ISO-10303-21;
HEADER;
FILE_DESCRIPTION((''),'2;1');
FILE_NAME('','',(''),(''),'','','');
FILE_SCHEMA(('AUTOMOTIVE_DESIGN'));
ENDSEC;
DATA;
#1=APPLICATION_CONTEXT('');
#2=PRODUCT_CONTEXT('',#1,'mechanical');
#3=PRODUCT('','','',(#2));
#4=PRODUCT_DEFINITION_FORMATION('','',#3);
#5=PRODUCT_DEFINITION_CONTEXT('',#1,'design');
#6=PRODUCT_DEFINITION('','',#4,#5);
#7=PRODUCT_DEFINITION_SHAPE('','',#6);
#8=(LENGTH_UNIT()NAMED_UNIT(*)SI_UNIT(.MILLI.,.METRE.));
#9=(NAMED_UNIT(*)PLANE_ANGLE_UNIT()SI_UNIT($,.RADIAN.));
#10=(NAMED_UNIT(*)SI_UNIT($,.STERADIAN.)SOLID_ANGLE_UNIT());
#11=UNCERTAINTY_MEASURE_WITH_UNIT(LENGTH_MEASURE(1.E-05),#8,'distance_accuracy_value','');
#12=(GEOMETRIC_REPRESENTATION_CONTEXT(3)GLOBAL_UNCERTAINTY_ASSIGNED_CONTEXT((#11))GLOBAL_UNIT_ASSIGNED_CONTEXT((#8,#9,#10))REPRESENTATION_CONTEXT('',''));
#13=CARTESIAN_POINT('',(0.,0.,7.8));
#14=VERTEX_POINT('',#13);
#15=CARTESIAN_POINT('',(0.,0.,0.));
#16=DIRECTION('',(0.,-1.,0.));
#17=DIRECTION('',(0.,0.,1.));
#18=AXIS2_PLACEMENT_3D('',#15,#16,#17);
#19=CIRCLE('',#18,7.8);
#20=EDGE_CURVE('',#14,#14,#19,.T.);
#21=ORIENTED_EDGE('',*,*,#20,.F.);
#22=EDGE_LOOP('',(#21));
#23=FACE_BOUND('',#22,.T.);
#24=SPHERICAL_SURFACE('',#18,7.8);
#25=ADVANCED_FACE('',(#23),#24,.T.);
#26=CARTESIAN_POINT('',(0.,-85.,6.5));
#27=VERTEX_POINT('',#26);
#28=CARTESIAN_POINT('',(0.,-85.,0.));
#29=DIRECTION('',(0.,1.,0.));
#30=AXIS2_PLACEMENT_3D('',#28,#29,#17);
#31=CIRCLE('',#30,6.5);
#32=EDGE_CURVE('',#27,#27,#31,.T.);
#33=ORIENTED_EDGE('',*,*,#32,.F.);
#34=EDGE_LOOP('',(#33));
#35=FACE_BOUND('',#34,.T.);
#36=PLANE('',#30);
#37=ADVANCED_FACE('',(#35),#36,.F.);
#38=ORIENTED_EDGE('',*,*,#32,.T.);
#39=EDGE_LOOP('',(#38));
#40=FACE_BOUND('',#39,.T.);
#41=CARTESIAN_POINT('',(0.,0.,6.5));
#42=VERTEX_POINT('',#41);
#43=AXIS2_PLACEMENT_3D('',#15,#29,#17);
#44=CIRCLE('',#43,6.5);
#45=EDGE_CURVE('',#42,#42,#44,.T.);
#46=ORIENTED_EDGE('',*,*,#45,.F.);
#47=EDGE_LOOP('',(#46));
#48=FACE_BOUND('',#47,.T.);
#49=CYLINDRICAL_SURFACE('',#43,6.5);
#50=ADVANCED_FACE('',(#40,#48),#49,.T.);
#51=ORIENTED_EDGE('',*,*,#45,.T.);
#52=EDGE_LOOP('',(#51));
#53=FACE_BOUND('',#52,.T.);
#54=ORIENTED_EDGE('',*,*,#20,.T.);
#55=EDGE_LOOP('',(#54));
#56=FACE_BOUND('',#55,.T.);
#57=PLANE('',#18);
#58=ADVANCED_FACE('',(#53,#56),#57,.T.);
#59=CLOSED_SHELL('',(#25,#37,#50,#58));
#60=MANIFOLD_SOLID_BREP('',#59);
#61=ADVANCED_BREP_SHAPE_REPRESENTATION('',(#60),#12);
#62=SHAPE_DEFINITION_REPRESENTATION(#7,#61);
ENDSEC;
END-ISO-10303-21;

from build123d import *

# Parameters (mm, degrees)
REVOLVE_1_ANGLE = 180
SKETCH_6_W      = 6.5
SKETCH_6_H      = 85


with BuildPart() as part:
    # 草图1 → 旋转1 (revolve)
    with BuildSketch(Plane(origin=(0, 0, 0), x_dir=(1, 0, 0), z_dir=(0, 1, 0))):
        with BuildLine():
            Line((0, 7.8), (0, -7.8))
            ThreePointArc((0, -7.8), (7.8, 0), (0, 7.8))
        make_face()
    revolve(axis=Axis((0, 0, -7.8), (0, 0, 1)), revolution_arc=REVOLVE_1_ANGLE)

    # 草图6 → 旋转2 (revolve)
    with BuildSketch(Plane(origin=(0, 0, 0), x_dir=(0, 0, -1), z_dir=(1, 0, 0)), mode=Mode.PRIVATE) as revolve_2_sk:
        with Locations((3.25, -42.5)):
            Rectangle(SKETCH_6_W, SKETCH_6_H)
    revolve(revolve_2_sk.sketch.rotate(Axis((0, 0, 0), (0, -1, 0)), 180), axis=Axis((0, 0, 0), (0, -1, 0)))


solid = part.part
